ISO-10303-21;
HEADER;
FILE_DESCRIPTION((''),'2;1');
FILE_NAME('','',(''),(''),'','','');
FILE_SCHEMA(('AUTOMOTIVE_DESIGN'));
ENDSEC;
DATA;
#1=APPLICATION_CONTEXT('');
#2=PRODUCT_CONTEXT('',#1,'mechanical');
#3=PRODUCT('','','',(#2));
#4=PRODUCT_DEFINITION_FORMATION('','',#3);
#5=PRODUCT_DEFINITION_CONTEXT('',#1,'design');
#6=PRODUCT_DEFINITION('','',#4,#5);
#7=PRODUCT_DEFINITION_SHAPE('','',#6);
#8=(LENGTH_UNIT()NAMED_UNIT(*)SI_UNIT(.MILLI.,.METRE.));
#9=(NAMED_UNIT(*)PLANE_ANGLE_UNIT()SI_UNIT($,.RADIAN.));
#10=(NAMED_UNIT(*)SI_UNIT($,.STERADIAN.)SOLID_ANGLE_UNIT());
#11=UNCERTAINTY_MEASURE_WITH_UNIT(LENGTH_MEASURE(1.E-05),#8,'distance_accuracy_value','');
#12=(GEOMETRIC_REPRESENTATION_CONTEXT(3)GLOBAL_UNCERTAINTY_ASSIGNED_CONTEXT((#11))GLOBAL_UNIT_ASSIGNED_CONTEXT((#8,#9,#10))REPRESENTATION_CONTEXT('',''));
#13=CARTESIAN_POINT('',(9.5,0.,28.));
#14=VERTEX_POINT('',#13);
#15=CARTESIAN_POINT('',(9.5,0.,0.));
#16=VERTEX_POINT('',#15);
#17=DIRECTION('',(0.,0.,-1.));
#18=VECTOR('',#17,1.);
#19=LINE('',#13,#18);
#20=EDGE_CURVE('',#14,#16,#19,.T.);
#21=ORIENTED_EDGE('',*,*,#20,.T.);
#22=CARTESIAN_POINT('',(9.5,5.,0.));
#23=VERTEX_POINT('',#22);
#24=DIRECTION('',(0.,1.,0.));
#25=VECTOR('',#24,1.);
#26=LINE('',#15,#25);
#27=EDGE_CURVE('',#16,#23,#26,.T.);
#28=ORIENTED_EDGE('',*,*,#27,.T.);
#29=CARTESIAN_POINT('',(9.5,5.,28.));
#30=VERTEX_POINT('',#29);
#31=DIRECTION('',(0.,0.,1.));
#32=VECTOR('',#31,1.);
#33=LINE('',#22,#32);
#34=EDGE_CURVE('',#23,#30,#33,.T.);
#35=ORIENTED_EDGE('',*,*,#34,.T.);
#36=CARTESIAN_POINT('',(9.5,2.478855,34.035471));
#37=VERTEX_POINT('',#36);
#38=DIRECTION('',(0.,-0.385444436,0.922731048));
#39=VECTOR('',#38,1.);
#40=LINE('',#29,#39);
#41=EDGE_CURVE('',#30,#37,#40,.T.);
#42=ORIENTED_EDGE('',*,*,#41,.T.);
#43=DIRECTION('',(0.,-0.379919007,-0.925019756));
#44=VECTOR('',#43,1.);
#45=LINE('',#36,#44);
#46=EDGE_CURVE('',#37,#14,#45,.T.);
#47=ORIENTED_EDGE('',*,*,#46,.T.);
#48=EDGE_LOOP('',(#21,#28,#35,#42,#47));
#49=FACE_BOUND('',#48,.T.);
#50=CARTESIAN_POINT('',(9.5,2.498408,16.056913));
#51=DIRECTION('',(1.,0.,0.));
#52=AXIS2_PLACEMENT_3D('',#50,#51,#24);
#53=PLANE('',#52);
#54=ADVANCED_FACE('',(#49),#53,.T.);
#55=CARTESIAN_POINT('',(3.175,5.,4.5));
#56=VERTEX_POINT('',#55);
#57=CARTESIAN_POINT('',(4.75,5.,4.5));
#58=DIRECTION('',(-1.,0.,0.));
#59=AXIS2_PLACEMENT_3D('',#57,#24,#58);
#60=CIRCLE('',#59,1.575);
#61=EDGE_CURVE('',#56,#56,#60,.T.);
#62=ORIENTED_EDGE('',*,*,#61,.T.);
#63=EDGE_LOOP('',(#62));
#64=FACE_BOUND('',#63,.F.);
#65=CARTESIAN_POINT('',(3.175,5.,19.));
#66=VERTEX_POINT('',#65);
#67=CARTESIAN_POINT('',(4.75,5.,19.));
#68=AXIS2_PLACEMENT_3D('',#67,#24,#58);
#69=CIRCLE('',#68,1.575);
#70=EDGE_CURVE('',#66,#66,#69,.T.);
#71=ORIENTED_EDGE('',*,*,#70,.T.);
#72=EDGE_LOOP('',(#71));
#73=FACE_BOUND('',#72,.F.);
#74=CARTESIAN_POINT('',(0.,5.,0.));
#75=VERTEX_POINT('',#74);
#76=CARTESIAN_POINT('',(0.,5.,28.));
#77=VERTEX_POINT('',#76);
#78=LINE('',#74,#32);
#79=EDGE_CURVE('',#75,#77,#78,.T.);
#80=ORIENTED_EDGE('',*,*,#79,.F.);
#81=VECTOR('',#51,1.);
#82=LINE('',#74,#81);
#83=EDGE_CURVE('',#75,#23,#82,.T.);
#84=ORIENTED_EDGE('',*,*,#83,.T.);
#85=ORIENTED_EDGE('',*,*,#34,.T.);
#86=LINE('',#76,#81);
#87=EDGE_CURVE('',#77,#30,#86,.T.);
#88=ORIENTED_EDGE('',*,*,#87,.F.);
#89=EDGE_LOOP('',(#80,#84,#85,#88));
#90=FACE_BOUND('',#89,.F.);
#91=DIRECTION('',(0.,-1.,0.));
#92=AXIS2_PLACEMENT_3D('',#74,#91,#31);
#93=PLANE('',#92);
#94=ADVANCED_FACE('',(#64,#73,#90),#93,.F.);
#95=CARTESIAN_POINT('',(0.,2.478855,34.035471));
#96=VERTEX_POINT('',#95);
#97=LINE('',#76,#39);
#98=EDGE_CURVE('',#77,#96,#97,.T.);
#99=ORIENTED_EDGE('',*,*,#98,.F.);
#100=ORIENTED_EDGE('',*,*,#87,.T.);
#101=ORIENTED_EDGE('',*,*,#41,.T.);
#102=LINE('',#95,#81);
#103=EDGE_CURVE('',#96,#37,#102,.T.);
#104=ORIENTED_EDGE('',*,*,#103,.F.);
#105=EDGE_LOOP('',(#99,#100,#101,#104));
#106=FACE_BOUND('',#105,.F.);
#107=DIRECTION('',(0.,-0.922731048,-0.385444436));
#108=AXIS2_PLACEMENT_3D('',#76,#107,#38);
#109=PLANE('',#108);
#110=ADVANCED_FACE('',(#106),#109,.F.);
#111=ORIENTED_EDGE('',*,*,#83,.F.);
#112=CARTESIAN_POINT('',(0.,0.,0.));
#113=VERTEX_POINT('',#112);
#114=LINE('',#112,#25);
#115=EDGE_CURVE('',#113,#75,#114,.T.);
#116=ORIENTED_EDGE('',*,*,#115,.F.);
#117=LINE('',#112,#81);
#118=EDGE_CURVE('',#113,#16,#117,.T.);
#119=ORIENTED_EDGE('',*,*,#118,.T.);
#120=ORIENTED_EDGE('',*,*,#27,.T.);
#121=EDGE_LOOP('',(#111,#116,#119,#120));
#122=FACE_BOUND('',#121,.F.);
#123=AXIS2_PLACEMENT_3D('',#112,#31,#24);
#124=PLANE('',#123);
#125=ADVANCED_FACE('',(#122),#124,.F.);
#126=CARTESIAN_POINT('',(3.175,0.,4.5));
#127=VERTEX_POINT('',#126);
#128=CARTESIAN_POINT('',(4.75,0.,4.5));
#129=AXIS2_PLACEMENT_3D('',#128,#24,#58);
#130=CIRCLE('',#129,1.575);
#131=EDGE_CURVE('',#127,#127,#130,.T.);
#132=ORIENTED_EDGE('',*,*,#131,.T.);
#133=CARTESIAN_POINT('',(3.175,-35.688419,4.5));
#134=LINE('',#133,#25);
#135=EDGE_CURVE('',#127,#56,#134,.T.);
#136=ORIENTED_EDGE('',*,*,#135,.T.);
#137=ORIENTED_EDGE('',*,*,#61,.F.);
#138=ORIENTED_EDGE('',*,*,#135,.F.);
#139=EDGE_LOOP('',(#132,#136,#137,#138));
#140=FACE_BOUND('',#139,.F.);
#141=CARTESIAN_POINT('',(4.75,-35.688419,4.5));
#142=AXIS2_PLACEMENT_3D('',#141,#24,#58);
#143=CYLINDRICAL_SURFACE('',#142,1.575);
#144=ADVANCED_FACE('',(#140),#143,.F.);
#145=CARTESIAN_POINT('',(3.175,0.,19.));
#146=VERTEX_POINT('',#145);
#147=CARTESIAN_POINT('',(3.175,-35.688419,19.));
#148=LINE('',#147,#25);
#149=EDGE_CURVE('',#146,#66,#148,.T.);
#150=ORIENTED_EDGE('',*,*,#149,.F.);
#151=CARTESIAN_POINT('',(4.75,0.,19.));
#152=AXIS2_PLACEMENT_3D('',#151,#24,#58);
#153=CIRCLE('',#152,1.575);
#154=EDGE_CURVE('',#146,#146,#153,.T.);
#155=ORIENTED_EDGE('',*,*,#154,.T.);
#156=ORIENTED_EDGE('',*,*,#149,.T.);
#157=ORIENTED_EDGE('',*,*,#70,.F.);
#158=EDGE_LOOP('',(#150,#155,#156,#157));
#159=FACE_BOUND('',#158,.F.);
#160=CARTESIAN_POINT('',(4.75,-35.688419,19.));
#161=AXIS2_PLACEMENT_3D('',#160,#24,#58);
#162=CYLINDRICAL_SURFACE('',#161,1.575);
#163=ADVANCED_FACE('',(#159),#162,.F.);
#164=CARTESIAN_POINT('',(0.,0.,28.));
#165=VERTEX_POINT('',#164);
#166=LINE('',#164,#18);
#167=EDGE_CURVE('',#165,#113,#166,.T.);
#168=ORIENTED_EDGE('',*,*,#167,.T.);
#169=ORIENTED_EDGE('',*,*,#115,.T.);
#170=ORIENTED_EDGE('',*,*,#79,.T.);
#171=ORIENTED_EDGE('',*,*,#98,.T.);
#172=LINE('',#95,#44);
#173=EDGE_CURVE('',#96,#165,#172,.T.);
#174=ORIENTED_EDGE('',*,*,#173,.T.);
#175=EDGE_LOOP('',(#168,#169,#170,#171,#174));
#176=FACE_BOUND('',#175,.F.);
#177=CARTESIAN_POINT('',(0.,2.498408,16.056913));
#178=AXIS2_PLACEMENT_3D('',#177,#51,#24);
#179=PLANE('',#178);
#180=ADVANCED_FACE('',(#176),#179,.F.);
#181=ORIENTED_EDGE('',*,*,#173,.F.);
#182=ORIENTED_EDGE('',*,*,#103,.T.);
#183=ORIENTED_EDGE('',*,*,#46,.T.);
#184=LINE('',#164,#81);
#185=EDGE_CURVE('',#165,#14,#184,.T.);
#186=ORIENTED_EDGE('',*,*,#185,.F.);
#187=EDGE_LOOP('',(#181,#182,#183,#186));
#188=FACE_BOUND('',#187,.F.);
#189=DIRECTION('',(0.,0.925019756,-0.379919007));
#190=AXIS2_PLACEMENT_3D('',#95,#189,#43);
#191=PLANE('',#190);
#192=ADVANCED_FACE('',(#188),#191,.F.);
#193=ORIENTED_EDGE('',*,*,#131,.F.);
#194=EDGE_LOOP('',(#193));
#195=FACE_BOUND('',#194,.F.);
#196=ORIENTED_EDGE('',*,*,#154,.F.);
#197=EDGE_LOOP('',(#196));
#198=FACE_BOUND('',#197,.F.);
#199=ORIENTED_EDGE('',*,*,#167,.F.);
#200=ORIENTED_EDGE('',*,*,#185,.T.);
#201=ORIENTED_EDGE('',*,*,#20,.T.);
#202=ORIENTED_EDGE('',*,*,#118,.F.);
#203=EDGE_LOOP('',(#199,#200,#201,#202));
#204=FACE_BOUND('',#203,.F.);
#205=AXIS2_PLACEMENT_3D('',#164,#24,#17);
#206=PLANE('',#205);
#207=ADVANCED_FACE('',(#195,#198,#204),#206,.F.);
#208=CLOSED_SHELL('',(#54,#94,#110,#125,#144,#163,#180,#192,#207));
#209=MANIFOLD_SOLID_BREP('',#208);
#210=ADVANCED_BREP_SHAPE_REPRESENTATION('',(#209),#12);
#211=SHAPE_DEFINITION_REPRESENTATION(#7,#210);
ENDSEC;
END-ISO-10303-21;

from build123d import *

# Parameters (mm, degrees)
F1_DEPTH = 9.5
F3_D     = 3.15


with BuildPart() as f1:
    # F0 (on Right) → F1 (new body)
    with BuildSketch(Plane.YZ):
        Polygon((0, 28), (0, 0), (5, 0), (5, 28), (2.4788551941, 34.0354706755), align=None)
    extrude(amount=F1_DEPTH)

    # F3 (through all)
    with Locations(Plane.XZ):
        with Locations((4.75, 19), (4.75, 4.5)):
            Hole(F3_D / 2)


solid = f1.part
